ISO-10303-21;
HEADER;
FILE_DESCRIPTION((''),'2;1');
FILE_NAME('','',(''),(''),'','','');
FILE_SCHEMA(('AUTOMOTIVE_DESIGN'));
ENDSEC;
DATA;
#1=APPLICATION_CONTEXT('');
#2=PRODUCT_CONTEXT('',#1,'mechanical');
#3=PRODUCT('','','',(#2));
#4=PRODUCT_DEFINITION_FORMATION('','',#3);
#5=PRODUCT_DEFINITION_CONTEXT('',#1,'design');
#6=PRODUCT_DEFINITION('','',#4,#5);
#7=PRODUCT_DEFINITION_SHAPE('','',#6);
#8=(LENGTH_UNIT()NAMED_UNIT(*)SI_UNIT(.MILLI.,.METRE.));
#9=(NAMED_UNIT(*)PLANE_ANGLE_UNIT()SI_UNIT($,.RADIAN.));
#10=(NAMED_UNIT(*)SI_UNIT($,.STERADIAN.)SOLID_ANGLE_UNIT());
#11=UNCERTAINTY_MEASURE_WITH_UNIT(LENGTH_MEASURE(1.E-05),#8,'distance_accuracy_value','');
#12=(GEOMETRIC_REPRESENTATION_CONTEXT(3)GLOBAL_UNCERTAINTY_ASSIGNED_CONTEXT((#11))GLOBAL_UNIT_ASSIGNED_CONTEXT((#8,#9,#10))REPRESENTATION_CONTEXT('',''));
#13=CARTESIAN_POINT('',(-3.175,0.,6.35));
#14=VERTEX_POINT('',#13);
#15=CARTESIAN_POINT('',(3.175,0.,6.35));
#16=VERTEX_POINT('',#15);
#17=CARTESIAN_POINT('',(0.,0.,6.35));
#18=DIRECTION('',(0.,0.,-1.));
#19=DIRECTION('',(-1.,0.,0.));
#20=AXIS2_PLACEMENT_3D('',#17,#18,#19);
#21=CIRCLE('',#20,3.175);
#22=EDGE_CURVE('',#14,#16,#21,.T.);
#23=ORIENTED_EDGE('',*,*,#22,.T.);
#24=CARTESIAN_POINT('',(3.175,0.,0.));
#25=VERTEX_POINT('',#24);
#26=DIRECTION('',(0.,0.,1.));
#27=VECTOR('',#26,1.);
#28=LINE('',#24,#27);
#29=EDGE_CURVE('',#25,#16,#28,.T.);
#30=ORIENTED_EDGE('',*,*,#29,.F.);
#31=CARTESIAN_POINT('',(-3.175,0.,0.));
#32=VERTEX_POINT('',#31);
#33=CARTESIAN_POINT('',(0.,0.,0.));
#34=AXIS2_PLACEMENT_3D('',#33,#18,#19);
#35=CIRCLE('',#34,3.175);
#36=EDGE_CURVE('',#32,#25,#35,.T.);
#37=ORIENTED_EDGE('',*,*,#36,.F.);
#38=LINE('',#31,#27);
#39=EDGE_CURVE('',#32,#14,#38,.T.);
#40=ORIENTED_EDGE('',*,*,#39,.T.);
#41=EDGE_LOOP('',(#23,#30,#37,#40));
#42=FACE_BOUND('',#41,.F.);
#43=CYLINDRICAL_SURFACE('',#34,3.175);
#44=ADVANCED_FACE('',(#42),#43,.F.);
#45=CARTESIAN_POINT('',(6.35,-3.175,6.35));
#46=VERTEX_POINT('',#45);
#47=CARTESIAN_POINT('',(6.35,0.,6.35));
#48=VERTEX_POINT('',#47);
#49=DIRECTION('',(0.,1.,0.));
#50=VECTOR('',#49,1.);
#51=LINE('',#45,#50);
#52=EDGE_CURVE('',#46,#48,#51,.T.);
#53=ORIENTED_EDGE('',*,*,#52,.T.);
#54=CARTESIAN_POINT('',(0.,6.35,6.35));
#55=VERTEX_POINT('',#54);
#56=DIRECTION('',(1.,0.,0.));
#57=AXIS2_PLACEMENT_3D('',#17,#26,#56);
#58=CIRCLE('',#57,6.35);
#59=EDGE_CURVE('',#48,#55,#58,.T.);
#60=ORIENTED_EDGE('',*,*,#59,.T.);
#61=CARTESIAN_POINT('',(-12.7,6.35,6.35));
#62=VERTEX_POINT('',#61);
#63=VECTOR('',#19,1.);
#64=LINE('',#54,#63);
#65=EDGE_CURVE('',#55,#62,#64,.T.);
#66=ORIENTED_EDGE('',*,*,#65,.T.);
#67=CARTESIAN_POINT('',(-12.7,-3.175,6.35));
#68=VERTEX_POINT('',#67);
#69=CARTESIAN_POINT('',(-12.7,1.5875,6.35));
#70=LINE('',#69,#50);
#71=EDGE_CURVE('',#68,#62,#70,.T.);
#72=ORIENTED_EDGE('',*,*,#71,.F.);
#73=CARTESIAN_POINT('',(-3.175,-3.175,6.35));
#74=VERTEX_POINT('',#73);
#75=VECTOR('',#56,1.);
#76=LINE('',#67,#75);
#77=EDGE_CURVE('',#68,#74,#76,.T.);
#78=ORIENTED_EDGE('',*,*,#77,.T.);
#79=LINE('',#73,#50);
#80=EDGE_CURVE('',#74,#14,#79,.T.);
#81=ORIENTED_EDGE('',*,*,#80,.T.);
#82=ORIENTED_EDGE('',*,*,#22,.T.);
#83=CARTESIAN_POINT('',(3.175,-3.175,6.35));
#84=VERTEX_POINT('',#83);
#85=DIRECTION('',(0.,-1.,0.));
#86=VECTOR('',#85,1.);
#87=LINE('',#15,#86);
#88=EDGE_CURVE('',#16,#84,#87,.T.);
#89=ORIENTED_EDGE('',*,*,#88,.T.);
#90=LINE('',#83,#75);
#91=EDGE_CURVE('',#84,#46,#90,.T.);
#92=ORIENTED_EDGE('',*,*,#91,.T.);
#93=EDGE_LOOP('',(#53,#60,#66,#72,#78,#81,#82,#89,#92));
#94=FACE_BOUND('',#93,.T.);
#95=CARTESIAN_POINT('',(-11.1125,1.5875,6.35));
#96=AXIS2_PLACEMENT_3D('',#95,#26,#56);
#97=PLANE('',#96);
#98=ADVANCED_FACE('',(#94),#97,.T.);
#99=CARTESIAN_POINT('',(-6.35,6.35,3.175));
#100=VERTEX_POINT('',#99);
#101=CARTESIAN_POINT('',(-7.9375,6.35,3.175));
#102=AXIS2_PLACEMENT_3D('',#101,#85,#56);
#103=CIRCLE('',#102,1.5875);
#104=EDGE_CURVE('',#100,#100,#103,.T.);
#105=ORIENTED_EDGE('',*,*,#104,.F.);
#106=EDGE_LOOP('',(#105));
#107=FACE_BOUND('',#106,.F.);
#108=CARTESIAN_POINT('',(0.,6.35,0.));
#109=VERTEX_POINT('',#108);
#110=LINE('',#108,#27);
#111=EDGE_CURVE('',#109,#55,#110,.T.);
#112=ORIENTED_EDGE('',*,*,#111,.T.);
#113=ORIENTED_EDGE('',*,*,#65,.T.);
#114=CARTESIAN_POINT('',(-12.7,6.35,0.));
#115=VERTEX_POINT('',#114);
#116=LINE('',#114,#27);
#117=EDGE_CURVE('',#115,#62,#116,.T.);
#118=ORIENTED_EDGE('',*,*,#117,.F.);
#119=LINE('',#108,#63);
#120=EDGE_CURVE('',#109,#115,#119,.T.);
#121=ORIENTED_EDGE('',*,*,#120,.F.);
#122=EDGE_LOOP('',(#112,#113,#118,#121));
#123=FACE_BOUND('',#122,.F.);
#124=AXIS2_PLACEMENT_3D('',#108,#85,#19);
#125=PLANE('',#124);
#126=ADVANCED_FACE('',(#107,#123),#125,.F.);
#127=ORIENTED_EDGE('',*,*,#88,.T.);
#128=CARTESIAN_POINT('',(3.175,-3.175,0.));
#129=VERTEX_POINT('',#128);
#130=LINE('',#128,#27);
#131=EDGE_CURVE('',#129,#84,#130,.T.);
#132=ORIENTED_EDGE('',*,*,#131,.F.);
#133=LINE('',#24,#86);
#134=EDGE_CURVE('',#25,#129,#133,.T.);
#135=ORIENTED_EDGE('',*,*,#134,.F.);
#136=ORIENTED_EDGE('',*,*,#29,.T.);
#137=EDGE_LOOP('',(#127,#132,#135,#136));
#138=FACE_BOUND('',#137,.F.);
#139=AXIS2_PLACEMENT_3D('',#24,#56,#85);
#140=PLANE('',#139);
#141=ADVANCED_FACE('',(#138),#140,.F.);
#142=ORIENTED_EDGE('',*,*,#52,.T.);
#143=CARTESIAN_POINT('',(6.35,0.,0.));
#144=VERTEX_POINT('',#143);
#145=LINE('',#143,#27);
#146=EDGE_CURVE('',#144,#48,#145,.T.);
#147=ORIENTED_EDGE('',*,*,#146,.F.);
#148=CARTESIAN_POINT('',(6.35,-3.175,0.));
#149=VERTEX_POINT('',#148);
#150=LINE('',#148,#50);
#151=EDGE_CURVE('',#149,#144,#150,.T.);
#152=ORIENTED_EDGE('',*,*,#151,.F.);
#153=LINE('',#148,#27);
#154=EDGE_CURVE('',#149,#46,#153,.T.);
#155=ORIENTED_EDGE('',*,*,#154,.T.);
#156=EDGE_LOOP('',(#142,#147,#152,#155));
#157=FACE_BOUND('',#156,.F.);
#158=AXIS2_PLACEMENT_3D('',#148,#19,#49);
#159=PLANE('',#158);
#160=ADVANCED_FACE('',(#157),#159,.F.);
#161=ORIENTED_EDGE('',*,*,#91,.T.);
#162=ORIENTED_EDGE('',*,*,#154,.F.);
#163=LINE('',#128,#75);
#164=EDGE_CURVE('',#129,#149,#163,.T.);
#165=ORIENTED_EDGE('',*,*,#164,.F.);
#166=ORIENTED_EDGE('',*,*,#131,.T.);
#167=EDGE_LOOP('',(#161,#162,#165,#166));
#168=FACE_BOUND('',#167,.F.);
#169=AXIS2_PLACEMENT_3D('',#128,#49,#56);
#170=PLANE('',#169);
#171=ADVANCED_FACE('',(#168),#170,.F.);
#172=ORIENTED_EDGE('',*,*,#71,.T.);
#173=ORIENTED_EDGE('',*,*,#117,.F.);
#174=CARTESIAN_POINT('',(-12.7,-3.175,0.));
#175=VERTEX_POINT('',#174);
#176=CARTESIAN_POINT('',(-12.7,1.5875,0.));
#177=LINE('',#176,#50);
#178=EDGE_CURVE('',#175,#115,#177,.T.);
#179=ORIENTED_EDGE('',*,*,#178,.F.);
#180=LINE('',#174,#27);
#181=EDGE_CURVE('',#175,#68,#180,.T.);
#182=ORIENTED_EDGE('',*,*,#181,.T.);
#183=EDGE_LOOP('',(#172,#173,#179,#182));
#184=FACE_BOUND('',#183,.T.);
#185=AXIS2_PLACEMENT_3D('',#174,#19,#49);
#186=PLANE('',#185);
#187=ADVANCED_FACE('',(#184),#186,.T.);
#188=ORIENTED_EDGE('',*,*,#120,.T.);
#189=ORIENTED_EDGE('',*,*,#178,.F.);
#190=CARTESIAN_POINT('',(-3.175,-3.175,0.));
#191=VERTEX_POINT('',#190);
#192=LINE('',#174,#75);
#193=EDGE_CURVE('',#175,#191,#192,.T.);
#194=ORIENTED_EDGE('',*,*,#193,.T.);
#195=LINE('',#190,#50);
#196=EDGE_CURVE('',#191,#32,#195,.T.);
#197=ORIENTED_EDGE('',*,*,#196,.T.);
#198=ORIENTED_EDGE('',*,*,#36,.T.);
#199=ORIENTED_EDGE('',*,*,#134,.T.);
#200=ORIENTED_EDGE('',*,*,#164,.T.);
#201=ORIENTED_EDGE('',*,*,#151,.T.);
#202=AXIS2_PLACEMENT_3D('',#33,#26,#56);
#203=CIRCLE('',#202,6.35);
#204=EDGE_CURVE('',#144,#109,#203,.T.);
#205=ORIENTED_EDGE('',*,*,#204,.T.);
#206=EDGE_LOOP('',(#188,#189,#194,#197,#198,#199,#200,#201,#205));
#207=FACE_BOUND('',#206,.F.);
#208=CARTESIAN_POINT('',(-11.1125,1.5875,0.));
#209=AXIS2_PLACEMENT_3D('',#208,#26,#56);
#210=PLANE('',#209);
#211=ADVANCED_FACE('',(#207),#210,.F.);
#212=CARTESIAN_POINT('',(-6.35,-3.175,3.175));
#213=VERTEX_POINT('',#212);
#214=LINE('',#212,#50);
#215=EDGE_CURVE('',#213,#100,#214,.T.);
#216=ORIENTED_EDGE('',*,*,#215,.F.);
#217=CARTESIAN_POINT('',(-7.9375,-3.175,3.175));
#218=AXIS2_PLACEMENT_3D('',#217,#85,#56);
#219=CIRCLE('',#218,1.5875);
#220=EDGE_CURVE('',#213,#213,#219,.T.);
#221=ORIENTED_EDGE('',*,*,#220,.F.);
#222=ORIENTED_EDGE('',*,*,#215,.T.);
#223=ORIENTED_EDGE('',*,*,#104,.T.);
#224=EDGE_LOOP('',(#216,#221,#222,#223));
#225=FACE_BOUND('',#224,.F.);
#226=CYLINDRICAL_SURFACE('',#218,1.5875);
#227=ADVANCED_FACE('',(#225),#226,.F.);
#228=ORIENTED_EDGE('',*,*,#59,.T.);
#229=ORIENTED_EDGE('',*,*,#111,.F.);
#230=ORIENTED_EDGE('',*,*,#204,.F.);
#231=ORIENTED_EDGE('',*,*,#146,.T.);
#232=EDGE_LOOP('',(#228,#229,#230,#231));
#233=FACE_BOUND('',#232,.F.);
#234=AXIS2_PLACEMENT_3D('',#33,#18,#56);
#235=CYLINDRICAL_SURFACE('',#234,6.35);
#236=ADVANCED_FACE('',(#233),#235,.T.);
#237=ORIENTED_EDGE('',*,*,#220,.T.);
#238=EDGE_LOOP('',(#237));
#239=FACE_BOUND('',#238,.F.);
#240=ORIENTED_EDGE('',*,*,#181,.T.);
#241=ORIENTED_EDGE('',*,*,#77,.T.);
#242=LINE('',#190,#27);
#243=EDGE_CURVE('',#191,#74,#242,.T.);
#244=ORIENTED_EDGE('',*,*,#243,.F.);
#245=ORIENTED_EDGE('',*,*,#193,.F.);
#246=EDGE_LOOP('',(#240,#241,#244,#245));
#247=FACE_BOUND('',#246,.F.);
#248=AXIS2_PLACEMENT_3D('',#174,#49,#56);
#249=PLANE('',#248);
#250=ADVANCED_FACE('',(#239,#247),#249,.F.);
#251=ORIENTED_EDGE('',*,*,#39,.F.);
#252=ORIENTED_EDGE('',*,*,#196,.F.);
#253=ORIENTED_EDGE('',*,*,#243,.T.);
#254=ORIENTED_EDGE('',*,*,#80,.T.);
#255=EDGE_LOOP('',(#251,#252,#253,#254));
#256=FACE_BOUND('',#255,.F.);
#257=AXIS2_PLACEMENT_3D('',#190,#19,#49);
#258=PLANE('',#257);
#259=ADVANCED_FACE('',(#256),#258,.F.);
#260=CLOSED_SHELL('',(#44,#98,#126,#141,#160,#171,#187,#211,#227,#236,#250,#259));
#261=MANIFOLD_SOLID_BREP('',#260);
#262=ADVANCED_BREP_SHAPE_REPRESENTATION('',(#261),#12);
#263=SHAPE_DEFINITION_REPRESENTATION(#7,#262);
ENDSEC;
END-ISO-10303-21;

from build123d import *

# Parameters (mm, degrees)
F1_W     = 3.175
F1_H     = 9.525
F2_DEPTH = 6.35
F3_R     = 1.5875
F4_DEPTH = 9.525


with BuildPart() as f2:
    # F1 (on Top) → F2 (new body)
    with BuildSketch(Plane.XY):
        with Locations((-11.1125, 1.5875)):
            Rectangle(F1_W, F1_H)
        with Locations((-7.9375, 1.5875)):
            Rectangle(F1_W, F1_H)
        with BuildLine():
            ThreePointArc((-3.175, 0), (0, 3.175), (3.175, 0))
            Line((3.175, 0), (3.175, -3.175))
            Line((3.175, -3.175), (6.35, -3.175))
            Line((6.35, -3.175), (6.35, 0))
            ThreePointArc((6.35, 0), (4.4901280605, 4.4901280605), (0, 6.35))
            Line((0, 6.35), (-6.35, 6.35))
            Line((-6.35, 6.35), (-6.35, -3.175))
            Line((-6.35, -3.175), (-3.175, -3.175))
            Line((-3.175, -3.175), (-3.175, 0))
        make_face()
    extrude(amount=F2_DEPTH)

    # F3 (on face) → F4 (cut, through all)
    with BuildSketch(Plane.XZ.offset(3.175)):
        with Locations((-7.9375, 3.175)):
            Circle(F3_R)
    extrude(amount=-F4_DEPTH, mode=Mode.SUBTRACT)


solid = f2.part
